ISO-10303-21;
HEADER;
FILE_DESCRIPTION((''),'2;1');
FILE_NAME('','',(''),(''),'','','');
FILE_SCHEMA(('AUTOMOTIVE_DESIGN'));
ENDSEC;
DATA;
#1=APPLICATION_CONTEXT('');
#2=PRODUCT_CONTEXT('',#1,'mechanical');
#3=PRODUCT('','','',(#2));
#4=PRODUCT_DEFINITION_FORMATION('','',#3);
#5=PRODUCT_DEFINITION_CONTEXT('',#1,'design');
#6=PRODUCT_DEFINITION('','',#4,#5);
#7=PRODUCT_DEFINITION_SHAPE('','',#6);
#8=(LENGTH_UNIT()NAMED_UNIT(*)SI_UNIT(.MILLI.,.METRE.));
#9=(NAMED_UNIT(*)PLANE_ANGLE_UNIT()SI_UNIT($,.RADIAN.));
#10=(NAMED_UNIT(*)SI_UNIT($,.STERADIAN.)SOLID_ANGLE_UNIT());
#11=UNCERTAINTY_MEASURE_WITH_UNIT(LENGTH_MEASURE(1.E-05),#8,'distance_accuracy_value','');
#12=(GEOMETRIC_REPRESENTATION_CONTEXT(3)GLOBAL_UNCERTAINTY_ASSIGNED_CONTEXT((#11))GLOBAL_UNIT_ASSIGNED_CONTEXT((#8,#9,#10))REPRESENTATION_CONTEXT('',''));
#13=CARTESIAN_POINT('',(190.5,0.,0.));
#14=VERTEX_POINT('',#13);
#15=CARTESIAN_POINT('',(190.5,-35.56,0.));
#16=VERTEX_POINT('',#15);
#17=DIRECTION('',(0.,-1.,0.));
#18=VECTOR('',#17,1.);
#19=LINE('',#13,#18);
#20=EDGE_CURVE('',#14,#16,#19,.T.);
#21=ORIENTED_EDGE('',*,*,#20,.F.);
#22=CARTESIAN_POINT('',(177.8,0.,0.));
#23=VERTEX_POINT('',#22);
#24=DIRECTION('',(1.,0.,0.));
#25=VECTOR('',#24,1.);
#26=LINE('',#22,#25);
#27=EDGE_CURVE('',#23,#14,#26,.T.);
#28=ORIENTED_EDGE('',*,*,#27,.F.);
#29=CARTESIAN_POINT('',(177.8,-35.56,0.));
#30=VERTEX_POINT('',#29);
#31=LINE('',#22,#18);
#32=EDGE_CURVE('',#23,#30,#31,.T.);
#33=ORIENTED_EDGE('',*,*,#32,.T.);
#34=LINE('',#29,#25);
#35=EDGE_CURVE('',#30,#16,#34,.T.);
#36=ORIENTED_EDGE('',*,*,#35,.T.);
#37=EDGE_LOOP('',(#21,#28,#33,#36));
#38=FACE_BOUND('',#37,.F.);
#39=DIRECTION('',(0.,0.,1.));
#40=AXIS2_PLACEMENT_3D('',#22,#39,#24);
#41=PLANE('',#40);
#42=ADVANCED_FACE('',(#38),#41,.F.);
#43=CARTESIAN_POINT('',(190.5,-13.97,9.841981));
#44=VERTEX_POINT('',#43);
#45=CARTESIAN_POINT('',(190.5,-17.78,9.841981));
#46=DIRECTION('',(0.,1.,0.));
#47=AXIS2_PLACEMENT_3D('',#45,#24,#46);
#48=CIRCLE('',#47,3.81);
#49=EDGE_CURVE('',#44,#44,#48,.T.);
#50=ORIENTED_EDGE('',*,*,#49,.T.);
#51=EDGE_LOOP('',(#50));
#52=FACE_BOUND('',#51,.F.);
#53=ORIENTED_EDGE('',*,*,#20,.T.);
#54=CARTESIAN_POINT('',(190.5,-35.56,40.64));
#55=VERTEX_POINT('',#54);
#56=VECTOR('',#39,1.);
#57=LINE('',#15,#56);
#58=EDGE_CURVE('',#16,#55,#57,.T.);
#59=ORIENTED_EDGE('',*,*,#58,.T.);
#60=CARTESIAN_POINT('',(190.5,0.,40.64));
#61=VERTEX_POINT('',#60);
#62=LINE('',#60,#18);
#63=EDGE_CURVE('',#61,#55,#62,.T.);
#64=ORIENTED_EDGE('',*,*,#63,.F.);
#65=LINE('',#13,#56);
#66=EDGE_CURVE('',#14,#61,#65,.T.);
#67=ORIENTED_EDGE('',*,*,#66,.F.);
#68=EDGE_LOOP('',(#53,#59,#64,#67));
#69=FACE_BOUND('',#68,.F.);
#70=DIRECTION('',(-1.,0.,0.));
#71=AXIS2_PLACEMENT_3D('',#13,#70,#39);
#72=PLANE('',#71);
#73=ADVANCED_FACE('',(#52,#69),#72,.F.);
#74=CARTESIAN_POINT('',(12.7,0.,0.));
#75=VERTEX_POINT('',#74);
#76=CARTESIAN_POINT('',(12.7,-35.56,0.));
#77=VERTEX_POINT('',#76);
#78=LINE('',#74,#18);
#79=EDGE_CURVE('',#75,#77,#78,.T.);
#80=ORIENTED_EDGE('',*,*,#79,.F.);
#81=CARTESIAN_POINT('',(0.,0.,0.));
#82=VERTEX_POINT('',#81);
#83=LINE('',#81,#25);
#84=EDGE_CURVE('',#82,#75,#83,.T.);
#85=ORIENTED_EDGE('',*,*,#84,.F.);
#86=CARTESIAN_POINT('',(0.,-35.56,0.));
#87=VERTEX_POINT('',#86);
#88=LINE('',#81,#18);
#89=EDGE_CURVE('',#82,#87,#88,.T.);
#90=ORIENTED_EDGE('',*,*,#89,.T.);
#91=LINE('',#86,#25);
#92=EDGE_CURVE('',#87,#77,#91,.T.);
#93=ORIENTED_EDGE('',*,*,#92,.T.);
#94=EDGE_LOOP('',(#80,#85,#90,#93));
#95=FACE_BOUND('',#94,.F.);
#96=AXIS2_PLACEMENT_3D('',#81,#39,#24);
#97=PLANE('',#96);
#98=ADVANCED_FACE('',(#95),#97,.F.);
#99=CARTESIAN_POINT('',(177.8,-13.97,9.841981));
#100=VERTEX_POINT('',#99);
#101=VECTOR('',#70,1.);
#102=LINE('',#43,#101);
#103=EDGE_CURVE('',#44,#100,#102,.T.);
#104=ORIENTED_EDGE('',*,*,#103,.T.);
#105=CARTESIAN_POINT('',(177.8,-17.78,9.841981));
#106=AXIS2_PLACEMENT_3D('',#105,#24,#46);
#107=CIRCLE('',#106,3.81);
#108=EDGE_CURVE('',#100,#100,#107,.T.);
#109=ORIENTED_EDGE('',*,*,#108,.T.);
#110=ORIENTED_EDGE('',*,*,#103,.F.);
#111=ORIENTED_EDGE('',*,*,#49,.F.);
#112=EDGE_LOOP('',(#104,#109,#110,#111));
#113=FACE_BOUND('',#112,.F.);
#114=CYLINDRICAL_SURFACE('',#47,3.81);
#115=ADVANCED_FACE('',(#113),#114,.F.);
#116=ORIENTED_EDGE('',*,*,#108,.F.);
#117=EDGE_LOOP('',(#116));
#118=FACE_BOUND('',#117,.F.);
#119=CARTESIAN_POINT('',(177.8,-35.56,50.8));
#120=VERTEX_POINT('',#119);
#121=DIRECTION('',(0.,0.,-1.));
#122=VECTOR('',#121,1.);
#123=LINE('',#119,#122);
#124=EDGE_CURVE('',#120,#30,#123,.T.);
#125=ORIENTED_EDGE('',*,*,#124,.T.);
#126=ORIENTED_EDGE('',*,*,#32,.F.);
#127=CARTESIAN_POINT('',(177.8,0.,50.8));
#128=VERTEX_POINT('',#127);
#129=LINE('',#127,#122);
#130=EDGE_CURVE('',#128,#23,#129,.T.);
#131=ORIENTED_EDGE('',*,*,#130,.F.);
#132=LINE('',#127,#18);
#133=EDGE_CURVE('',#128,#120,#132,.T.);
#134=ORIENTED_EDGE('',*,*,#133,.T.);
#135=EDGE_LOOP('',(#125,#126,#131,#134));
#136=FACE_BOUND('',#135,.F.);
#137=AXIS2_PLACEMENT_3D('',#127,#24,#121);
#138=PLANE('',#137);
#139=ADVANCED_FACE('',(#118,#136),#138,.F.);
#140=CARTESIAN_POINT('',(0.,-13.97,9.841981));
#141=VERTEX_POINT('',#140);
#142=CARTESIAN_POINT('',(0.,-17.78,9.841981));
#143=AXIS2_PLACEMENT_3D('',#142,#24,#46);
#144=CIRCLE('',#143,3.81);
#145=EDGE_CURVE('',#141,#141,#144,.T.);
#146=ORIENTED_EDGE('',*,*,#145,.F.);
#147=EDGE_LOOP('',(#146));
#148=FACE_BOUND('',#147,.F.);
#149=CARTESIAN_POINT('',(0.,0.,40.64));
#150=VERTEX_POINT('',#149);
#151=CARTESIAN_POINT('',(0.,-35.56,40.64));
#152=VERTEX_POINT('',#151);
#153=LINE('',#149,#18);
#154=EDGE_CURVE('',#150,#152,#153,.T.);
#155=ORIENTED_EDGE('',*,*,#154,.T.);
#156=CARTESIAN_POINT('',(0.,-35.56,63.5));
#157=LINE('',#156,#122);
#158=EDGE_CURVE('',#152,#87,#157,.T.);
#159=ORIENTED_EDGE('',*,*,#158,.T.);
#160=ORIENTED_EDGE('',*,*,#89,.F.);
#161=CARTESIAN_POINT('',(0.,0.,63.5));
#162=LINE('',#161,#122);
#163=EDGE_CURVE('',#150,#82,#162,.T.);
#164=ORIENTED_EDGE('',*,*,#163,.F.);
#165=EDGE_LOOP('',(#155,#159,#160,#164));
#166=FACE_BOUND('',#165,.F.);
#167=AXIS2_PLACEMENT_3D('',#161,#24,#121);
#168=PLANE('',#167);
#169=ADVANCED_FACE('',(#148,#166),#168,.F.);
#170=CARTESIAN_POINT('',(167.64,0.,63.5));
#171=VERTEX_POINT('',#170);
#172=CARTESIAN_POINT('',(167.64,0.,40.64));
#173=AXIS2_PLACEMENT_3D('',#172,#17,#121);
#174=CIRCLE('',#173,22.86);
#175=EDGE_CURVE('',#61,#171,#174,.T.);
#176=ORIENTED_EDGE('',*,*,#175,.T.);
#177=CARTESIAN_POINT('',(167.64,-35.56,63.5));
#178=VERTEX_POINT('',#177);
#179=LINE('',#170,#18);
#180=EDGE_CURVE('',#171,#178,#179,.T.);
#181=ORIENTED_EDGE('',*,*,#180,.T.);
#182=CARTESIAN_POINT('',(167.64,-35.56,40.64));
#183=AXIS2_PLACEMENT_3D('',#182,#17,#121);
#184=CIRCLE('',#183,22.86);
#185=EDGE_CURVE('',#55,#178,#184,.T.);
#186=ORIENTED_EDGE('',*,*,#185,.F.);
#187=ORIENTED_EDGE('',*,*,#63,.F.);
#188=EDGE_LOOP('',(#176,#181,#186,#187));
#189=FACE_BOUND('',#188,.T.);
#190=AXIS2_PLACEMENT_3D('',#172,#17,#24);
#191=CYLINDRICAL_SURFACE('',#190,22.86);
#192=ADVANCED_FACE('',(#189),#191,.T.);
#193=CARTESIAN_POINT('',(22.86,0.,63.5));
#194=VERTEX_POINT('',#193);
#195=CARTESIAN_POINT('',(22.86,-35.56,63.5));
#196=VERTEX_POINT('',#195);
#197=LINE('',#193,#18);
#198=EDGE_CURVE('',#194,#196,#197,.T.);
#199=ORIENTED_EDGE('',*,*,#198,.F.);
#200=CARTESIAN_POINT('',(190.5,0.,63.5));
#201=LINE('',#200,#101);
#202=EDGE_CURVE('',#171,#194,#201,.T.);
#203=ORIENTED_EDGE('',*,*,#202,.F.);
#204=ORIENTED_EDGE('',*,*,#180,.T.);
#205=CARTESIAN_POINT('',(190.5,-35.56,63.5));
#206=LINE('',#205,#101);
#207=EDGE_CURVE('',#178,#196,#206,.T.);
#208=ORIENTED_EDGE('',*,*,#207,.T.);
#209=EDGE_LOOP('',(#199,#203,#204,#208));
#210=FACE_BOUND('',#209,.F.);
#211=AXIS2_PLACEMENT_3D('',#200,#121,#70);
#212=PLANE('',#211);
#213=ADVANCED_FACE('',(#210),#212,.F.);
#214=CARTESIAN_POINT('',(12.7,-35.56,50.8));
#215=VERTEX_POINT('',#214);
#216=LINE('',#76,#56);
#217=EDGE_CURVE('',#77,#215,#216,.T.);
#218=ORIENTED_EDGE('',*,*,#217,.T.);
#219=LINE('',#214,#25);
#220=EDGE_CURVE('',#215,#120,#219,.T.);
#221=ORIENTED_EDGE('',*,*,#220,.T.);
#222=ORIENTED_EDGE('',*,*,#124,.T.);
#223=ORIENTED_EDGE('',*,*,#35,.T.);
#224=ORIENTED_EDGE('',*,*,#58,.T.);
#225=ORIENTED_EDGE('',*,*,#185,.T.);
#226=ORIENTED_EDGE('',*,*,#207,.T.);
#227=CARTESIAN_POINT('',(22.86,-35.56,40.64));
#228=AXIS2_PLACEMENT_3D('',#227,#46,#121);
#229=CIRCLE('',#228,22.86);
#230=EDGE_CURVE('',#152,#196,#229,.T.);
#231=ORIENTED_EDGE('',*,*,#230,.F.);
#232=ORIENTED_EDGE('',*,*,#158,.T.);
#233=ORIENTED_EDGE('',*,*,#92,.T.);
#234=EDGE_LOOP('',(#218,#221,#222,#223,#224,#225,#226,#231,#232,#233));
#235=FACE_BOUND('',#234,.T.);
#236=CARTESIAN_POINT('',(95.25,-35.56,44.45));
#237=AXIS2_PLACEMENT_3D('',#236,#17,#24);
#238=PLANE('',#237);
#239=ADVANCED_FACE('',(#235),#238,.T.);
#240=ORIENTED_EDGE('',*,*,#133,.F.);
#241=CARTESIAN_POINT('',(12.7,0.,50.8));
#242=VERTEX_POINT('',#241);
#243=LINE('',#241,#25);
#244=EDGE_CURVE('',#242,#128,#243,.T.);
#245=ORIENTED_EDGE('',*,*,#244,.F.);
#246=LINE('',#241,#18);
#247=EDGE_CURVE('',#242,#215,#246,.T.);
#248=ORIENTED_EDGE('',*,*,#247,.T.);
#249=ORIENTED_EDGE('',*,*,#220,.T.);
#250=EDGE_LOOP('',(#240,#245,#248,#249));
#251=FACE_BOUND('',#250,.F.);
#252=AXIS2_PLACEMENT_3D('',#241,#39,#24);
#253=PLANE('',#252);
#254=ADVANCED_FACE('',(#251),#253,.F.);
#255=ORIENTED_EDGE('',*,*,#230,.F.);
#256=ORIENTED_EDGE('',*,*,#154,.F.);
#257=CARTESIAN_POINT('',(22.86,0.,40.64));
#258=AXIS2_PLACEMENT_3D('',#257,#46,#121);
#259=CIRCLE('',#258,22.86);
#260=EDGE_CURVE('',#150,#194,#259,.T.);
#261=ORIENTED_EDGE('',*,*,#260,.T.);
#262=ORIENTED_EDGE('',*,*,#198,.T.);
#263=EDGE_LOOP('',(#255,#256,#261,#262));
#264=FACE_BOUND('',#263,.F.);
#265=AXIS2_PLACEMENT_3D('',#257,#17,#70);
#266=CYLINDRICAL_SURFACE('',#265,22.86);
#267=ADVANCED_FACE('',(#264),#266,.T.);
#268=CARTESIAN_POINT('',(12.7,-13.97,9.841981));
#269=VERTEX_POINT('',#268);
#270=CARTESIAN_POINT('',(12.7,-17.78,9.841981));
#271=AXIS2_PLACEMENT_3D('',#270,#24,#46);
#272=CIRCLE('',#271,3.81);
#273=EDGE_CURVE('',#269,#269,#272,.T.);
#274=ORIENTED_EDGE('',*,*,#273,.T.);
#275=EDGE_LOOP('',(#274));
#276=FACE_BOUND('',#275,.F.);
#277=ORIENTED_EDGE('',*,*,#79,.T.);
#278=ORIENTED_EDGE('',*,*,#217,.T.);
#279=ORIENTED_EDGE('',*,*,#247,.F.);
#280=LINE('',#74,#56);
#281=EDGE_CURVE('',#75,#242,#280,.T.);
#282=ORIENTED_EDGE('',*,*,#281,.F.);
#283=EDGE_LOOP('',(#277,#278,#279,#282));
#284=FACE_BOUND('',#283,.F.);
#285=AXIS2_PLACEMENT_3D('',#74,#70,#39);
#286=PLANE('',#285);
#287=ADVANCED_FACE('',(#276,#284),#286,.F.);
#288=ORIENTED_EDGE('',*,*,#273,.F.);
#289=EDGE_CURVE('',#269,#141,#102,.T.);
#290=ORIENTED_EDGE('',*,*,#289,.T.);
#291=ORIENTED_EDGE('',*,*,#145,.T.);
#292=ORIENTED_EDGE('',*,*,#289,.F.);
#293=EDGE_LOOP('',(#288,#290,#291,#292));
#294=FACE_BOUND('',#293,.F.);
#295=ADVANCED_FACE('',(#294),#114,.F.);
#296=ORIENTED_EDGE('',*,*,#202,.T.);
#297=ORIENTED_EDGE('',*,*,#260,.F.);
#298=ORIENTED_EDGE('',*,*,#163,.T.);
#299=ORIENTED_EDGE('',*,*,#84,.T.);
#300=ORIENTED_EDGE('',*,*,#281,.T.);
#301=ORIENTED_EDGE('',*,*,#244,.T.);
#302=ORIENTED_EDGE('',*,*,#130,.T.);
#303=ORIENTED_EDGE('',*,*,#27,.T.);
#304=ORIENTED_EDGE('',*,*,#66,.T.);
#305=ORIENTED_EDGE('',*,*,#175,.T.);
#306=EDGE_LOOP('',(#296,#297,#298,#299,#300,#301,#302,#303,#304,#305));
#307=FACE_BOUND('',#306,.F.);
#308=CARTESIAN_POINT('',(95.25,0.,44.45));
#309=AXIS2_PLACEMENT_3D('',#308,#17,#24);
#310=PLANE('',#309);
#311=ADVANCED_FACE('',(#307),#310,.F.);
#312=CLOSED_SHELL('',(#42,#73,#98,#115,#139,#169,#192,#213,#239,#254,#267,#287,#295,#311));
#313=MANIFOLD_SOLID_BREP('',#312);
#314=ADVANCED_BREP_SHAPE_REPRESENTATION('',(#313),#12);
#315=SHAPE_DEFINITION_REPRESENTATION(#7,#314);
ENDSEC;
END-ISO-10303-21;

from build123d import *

# Parameters (mm, degrees)
F1_DEPTH = 35.56
F2_R     = 22.86
F3_R     = 3.81
F4_DEPTH = 190.501


with BuildPart() as f1:
    # F0 (on Front) → F1 (new body)
    with BuildSketch(Plane.XZ):
        Polygon((0, 63.5), (0, 0), (12.7, 0), (12.7, 50.8), (177.8, 50.8), (177.8, 0), (190.5, 0), (190.5, 63.5), align=None)
    extrude(amount=F1_DEPTH)

    # F2
    f2_edges = [f1.edges().sort_by_distance(p)[0] for p in [
        (0, -17.78, 63.5),
        (190.5, -17.78, 63.5),
    ]]
    fillet(f2_edges, radius=F2_R)

    # F3 (on face) → F4 (cut, through all)
    with BuildSketch(Plane.YZ.offset(190.5)):
        with Locations((-17.78, 9.841981)):
            Circle(F3_R)
    extrude(amount=-F4_DEPTH, mode=Mode.SUBTRACT)


solid = f1.part
